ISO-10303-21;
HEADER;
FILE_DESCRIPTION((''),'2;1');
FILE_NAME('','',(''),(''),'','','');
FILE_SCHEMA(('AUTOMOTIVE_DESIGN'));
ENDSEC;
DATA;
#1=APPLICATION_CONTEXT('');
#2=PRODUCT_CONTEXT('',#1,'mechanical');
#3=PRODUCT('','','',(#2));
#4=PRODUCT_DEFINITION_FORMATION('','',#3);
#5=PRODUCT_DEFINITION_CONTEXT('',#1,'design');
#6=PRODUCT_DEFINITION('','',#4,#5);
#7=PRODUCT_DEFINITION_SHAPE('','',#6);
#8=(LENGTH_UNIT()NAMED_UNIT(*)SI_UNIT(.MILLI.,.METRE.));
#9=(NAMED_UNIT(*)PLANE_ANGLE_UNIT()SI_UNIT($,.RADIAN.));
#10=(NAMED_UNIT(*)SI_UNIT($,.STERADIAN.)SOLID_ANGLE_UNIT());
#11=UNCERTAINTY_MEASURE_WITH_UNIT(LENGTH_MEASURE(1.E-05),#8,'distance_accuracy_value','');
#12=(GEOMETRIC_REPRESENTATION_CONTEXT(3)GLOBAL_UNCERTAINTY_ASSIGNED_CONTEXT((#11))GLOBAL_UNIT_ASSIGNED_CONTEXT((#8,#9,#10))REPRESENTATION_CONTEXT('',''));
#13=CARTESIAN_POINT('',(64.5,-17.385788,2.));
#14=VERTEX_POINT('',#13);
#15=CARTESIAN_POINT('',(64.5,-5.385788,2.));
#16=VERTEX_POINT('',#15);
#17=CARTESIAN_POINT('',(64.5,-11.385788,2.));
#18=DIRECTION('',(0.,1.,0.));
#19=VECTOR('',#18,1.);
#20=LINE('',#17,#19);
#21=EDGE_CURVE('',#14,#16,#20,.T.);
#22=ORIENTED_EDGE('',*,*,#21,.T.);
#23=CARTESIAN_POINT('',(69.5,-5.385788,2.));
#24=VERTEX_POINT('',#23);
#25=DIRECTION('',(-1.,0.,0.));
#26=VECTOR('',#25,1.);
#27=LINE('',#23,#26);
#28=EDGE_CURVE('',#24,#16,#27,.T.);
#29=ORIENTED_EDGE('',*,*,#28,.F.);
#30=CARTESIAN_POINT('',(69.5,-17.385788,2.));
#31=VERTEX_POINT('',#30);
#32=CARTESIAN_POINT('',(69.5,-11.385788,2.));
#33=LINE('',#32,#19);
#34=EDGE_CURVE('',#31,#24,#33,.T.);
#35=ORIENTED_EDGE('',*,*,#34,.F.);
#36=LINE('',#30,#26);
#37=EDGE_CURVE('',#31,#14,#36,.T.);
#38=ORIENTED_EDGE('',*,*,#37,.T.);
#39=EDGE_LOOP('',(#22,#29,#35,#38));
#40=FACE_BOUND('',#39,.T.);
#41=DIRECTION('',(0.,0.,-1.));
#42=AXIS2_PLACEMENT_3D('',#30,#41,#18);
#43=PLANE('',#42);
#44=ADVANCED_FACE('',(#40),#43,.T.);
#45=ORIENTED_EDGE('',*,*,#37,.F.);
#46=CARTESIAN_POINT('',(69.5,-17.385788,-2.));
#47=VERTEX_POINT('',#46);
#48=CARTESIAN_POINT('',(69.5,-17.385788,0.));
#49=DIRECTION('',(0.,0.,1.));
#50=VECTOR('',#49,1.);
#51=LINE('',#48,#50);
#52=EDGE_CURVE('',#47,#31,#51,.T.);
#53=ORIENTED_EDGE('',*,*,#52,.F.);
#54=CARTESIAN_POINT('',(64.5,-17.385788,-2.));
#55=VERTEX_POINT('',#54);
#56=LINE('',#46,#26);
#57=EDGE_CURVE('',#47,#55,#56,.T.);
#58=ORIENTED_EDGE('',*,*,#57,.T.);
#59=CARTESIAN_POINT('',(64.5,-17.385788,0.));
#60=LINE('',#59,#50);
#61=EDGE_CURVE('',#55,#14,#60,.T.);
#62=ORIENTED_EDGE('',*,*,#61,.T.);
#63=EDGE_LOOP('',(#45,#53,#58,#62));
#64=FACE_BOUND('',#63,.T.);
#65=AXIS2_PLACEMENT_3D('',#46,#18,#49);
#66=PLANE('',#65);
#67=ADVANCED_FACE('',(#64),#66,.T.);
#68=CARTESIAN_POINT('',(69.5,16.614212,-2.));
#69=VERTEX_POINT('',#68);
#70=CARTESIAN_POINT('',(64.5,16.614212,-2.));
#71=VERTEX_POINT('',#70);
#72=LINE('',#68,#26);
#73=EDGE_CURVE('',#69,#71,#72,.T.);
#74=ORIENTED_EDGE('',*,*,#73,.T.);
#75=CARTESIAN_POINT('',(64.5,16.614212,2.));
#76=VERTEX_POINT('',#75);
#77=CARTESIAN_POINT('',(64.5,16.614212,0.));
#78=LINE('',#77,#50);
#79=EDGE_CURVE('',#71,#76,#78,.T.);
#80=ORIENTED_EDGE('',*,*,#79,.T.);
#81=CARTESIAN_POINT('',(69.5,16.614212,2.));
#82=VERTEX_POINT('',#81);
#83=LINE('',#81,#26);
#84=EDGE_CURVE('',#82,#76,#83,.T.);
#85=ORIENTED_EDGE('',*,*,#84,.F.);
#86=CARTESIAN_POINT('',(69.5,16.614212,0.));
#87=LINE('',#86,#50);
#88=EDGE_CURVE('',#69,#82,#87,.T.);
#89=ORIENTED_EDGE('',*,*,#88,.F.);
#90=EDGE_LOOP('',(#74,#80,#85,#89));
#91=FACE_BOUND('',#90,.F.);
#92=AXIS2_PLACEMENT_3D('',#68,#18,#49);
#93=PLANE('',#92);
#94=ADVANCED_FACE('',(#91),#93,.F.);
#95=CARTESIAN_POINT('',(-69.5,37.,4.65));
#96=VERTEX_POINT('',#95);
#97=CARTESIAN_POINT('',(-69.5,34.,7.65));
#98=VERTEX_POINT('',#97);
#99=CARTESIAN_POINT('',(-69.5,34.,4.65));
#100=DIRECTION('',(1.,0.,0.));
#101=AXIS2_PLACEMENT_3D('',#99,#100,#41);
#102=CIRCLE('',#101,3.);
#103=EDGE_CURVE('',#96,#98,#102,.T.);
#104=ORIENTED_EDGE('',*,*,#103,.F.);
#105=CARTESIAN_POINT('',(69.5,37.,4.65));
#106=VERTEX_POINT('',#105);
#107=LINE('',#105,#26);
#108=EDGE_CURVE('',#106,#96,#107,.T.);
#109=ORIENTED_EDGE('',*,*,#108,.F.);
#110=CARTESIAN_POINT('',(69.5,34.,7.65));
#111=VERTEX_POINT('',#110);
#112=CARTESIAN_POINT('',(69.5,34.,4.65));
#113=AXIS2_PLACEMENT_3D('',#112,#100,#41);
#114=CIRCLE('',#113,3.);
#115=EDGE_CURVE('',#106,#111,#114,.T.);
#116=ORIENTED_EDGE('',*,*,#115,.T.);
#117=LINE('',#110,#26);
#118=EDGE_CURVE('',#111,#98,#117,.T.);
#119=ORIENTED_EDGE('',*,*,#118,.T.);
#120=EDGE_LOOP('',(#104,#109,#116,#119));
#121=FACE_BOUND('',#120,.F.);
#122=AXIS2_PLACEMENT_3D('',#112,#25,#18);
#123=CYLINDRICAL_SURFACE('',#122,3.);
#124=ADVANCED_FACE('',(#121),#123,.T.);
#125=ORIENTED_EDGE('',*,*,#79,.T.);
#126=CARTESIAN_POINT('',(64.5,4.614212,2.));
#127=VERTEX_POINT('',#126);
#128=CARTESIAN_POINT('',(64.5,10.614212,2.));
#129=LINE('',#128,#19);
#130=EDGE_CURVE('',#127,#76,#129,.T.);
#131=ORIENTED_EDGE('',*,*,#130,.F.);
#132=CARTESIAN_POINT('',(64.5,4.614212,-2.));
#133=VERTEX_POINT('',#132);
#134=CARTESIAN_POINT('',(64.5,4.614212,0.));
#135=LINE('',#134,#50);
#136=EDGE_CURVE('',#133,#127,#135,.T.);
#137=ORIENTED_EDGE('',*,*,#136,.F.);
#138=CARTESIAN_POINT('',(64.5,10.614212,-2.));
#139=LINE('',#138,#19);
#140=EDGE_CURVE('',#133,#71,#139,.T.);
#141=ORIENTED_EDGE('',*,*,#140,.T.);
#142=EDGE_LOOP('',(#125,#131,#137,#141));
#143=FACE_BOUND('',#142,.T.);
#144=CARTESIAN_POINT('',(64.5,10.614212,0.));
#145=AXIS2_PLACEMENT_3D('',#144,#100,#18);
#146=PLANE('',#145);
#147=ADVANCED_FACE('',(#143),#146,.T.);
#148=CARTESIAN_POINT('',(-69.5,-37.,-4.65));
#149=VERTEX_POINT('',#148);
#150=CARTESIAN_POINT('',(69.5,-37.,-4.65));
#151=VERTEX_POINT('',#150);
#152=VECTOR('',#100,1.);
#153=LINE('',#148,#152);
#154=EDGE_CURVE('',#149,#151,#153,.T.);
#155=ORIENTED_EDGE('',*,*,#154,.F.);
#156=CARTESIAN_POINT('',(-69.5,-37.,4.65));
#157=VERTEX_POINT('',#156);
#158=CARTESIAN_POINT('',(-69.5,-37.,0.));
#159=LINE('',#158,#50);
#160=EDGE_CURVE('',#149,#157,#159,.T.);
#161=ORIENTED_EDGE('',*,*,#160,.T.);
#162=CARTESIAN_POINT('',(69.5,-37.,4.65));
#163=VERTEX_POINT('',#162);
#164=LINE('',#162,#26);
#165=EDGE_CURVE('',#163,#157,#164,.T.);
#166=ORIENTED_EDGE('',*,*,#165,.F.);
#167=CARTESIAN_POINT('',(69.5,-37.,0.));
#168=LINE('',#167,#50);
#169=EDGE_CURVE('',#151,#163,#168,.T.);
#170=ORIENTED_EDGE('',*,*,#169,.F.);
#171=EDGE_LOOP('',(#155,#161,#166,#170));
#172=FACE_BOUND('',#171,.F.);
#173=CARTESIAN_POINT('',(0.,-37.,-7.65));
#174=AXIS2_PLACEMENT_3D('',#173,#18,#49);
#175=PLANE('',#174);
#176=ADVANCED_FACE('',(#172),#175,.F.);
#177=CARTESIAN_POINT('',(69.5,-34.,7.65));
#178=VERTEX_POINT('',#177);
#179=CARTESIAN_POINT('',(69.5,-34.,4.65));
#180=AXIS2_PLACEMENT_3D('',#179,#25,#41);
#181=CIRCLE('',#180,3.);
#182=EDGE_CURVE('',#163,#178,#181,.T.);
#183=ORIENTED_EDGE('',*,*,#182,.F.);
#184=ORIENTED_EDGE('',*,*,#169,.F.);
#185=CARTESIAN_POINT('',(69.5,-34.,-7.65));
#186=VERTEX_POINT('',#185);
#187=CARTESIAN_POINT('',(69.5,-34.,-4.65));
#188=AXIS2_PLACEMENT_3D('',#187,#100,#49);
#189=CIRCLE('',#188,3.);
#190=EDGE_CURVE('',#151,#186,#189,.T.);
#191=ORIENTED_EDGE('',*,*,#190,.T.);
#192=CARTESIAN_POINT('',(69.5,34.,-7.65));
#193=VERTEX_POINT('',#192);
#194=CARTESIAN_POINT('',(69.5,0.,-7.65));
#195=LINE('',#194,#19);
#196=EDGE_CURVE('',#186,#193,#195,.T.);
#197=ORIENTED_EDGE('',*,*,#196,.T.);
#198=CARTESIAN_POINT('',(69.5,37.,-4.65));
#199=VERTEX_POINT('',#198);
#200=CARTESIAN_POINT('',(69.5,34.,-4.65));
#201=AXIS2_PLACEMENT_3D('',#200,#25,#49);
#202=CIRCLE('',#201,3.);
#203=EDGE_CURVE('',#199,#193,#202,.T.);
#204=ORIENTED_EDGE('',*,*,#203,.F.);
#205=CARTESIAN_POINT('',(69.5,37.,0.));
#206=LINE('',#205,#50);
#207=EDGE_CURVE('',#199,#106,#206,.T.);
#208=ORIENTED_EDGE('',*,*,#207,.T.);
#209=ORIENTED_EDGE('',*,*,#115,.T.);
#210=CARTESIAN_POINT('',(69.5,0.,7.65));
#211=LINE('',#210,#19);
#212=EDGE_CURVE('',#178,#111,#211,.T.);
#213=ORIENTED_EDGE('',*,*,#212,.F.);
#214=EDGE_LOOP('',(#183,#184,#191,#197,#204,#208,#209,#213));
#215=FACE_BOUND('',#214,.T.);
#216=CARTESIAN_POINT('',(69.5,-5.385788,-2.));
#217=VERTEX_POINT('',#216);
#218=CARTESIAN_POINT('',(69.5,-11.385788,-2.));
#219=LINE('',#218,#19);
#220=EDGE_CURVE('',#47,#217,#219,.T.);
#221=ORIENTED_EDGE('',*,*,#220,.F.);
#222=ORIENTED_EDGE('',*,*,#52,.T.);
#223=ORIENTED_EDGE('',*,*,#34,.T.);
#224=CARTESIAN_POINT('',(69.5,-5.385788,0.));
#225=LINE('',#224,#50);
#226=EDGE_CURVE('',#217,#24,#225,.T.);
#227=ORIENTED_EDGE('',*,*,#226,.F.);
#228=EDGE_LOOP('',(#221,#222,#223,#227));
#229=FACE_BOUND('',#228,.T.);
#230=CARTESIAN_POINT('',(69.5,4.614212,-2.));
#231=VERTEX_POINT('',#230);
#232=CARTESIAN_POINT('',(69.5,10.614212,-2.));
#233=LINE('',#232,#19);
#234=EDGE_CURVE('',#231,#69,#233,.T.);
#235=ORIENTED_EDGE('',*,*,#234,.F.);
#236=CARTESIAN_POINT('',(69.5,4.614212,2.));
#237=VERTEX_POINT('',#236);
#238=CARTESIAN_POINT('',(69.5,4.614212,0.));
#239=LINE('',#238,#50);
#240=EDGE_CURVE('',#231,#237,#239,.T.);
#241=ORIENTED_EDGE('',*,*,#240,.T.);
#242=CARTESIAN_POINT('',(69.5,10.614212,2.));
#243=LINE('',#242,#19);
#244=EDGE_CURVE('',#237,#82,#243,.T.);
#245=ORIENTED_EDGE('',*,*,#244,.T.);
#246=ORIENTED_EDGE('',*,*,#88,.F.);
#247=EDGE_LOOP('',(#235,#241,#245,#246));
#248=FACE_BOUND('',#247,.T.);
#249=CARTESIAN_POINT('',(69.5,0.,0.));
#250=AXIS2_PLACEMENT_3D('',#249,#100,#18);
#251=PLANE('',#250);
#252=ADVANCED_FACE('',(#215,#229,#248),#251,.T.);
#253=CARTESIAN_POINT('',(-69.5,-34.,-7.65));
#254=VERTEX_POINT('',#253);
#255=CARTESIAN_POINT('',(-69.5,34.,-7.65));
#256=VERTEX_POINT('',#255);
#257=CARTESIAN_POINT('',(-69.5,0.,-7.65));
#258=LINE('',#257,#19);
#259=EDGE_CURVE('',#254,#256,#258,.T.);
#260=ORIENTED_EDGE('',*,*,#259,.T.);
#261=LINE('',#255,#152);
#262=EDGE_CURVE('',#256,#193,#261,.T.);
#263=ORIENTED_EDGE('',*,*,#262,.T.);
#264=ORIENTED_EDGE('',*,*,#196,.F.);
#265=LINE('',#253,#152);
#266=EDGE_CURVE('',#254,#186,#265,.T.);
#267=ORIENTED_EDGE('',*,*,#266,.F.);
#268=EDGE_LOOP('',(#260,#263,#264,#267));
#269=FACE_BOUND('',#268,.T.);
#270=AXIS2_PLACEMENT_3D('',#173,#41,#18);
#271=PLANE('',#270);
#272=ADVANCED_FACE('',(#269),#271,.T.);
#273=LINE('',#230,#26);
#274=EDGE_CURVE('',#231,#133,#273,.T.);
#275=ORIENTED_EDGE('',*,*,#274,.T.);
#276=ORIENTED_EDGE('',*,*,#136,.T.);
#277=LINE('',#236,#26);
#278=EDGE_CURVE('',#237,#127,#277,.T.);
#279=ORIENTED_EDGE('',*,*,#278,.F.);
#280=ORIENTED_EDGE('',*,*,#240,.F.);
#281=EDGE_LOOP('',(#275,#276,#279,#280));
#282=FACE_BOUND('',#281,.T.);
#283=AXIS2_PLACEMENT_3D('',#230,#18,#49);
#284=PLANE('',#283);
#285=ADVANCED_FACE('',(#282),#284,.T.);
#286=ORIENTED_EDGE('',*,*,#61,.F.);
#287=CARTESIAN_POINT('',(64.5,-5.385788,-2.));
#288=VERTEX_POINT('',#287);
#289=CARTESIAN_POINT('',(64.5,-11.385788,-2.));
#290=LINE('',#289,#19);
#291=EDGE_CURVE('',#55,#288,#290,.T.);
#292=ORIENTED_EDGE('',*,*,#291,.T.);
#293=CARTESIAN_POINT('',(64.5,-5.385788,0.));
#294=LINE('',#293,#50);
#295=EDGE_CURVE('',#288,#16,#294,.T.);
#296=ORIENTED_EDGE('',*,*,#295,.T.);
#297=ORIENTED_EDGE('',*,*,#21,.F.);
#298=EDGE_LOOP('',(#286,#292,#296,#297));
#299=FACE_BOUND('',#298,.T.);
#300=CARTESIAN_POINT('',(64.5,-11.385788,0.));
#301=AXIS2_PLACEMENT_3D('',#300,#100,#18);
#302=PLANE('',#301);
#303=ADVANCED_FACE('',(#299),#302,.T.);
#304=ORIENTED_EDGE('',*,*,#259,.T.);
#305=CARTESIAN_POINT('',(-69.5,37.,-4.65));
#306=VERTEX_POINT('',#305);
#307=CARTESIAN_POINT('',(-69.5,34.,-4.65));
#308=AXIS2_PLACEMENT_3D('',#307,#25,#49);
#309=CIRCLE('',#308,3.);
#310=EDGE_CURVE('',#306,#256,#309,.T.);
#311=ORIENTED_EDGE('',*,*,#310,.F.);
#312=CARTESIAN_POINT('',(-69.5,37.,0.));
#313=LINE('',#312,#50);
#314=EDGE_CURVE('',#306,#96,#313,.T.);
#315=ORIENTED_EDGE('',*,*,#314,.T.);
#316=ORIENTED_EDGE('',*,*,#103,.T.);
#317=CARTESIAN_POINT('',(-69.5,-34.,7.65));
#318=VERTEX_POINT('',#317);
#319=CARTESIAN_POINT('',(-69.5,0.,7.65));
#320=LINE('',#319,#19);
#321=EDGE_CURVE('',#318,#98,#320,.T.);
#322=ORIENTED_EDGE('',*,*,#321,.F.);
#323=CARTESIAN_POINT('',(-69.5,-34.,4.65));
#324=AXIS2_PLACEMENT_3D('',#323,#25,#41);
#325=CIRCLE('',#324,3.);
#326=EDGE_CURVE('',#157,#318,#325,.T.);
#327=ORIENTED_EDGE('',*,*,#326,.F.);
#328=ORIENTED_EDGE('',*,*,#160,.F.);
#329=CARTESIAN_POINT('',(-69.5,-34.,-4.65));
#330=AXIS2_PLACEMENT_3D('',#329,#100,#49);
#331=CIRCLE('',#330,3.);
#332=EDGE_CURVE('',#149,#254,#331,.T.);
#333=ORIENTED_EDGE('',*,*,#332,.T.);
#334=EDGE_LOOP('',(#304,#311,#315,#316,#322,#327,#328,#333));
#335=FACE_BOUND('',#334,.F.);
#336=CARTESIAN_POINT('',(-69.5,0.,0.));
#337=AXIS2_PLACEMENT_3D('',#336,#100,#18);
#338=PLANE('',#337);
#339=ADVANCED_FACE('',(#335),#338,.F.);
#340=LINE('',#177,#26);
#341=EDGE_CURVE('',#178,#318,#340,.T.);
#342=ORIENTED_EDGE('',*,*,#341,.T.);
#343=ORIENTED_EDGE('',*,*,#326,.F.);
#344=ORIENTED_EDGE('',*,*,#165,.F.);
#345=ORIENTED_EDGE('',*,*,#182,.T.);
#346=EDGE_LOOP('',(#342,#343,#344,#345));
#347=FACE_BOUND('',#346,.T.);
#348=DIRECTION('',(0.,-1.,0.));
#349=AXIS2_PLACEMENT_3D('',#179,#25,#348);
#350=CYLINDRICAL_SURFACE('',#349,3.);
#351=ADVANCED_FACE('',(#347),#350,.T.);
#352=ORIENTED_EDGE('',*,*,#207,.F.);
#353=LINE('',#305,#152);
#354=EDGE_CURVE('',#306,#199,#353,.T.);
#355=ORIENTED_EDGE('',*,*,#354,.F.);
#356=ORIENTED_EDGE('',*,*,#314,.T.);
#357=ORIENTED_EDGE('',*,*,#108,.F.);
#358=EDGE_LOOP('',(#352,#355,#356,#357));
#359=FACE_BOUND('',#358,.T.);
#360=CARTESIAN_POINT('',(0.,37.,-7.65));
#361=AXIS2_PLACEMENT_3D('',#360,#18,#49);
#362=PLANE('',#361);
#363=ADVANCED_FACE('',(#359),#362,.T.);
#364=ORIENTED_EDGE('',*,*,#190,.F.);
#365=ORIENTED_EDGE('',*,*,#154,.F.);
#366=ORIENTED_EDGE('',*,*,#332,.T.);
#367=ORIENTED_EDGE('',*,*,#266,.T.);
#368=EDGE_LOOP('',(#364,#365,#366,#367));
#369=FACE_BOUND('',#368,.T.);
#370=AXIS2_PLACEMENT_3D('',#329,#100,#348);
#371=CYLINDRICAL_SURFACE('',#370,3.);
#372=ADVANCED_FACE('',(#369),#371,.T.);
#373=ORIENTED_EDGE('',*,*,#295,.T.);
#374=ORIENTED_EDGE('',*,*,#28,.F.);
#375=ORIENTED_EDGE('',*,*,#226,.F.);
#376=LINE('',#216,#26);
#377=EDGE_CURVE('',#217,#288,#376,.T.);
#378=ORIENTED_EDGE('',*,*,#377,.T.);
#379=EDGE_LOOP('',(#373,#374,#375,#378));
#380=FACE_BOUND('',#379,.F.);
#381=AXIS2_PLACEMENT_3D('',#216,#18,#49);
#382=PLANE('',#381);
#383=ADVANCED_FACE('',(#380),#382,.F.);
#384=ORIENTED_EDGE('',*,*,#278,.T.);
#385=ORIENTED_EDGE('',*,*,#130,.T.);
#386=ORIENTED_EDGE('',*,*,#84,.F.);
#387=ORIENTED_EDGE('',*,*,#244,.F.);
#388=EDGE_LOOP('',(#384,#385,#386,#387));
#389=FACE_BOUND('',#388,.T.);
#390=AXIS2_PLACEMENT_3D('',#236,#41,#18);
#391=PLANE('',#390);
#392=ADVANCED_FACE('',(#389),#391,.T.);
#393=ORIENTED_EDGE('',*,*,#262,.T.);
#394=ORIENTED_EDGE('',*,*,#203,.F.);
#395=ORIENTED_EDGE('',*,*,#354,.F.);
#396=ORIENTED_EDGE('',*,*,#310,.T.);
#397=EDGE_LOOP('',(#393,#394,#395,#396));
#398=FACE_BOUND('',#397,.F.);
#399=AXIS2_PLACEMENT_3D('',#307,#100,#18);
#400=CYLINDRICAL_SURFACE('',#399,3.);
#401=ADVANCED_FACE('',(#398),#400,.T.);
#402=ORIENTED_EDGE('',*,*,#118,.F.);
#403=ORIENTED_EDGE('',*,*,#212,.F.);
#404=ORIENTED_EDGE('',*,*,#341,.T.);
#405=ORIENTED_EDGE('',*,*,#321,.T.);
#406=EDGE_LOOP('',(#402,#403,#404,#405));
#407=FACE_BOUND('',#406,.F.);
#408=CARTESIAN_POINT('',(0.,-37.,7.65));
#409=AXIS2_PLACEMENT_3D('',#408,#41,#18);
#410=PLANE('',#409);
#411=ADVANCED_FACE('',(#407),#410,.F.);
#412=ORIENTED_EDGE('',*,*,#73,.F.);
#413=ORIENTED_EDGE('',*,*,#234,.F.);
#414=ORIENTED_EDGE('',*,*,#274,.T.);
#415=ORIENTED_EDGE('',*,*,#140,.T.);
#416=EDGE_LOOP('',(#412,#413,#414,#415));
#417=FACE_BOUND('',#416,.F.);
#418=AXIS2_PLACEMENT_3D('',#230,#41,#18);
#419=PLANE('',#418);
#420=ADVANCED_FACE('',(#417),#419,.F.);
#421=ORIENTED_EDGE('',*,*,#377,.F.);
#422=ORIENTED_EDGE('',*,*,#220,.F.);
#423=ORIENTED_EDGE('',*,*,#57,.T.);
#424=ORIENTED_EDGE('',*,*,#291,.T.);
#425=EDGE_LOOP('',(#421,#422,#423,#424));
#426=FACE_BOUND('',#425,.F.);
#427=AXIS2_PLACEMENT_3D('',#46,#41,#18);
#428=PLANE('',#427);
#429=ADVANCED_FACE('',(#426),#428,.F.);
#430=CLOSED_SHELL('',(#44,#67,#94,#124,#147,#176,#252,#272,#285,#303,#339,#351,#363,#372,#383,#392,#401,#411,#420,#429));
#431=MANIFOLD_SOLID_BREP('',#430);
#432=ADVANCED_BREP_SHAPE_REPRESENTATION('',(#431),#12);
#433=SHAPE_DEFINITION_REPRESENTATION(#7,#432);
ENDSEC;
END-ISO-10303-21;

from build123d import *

# Parameters (mm, degrees)
F0_W     = 74
F0_H     = 15.3
F1_DEPTH = 69.5
F2_R     = 3
F3_W     = 12
F3_H     = 4
F4_DEPTH = 5


with BuildPart() as f1:
    # F0 (on Right) → F1 (new body, symmetric)
    with BuildSketch(Plane.YZ):
        Rectangle(F0_W, F0_H)
    extrude(amount=F1_DEPTH, both=True)

    # F2
    f2_edges = [f1.edges().sort_by_distance(p)[0] for p in [
        (0, -37, 7.65),
        (0, 37, 7.65),
        (0, 37, -7.65),
        (0, -37, -7.65),
    ]]
    fillet(f2_edges, radius=F2_R)

    # F3 (on face) → F4 (cut)
    with BuildSketch(Plane.YZ.offset(69.5)):
        with Locations((10.614212, 0)):
            Rectangle(F3_W, F3_H)
        with Locations((-11.385788, 0)):
            Rectangle(F3_W, F3_H)
    extrude(amount=-F4_DEPTH, mode=Mode.SUBTRACT)


solid = f1.part
